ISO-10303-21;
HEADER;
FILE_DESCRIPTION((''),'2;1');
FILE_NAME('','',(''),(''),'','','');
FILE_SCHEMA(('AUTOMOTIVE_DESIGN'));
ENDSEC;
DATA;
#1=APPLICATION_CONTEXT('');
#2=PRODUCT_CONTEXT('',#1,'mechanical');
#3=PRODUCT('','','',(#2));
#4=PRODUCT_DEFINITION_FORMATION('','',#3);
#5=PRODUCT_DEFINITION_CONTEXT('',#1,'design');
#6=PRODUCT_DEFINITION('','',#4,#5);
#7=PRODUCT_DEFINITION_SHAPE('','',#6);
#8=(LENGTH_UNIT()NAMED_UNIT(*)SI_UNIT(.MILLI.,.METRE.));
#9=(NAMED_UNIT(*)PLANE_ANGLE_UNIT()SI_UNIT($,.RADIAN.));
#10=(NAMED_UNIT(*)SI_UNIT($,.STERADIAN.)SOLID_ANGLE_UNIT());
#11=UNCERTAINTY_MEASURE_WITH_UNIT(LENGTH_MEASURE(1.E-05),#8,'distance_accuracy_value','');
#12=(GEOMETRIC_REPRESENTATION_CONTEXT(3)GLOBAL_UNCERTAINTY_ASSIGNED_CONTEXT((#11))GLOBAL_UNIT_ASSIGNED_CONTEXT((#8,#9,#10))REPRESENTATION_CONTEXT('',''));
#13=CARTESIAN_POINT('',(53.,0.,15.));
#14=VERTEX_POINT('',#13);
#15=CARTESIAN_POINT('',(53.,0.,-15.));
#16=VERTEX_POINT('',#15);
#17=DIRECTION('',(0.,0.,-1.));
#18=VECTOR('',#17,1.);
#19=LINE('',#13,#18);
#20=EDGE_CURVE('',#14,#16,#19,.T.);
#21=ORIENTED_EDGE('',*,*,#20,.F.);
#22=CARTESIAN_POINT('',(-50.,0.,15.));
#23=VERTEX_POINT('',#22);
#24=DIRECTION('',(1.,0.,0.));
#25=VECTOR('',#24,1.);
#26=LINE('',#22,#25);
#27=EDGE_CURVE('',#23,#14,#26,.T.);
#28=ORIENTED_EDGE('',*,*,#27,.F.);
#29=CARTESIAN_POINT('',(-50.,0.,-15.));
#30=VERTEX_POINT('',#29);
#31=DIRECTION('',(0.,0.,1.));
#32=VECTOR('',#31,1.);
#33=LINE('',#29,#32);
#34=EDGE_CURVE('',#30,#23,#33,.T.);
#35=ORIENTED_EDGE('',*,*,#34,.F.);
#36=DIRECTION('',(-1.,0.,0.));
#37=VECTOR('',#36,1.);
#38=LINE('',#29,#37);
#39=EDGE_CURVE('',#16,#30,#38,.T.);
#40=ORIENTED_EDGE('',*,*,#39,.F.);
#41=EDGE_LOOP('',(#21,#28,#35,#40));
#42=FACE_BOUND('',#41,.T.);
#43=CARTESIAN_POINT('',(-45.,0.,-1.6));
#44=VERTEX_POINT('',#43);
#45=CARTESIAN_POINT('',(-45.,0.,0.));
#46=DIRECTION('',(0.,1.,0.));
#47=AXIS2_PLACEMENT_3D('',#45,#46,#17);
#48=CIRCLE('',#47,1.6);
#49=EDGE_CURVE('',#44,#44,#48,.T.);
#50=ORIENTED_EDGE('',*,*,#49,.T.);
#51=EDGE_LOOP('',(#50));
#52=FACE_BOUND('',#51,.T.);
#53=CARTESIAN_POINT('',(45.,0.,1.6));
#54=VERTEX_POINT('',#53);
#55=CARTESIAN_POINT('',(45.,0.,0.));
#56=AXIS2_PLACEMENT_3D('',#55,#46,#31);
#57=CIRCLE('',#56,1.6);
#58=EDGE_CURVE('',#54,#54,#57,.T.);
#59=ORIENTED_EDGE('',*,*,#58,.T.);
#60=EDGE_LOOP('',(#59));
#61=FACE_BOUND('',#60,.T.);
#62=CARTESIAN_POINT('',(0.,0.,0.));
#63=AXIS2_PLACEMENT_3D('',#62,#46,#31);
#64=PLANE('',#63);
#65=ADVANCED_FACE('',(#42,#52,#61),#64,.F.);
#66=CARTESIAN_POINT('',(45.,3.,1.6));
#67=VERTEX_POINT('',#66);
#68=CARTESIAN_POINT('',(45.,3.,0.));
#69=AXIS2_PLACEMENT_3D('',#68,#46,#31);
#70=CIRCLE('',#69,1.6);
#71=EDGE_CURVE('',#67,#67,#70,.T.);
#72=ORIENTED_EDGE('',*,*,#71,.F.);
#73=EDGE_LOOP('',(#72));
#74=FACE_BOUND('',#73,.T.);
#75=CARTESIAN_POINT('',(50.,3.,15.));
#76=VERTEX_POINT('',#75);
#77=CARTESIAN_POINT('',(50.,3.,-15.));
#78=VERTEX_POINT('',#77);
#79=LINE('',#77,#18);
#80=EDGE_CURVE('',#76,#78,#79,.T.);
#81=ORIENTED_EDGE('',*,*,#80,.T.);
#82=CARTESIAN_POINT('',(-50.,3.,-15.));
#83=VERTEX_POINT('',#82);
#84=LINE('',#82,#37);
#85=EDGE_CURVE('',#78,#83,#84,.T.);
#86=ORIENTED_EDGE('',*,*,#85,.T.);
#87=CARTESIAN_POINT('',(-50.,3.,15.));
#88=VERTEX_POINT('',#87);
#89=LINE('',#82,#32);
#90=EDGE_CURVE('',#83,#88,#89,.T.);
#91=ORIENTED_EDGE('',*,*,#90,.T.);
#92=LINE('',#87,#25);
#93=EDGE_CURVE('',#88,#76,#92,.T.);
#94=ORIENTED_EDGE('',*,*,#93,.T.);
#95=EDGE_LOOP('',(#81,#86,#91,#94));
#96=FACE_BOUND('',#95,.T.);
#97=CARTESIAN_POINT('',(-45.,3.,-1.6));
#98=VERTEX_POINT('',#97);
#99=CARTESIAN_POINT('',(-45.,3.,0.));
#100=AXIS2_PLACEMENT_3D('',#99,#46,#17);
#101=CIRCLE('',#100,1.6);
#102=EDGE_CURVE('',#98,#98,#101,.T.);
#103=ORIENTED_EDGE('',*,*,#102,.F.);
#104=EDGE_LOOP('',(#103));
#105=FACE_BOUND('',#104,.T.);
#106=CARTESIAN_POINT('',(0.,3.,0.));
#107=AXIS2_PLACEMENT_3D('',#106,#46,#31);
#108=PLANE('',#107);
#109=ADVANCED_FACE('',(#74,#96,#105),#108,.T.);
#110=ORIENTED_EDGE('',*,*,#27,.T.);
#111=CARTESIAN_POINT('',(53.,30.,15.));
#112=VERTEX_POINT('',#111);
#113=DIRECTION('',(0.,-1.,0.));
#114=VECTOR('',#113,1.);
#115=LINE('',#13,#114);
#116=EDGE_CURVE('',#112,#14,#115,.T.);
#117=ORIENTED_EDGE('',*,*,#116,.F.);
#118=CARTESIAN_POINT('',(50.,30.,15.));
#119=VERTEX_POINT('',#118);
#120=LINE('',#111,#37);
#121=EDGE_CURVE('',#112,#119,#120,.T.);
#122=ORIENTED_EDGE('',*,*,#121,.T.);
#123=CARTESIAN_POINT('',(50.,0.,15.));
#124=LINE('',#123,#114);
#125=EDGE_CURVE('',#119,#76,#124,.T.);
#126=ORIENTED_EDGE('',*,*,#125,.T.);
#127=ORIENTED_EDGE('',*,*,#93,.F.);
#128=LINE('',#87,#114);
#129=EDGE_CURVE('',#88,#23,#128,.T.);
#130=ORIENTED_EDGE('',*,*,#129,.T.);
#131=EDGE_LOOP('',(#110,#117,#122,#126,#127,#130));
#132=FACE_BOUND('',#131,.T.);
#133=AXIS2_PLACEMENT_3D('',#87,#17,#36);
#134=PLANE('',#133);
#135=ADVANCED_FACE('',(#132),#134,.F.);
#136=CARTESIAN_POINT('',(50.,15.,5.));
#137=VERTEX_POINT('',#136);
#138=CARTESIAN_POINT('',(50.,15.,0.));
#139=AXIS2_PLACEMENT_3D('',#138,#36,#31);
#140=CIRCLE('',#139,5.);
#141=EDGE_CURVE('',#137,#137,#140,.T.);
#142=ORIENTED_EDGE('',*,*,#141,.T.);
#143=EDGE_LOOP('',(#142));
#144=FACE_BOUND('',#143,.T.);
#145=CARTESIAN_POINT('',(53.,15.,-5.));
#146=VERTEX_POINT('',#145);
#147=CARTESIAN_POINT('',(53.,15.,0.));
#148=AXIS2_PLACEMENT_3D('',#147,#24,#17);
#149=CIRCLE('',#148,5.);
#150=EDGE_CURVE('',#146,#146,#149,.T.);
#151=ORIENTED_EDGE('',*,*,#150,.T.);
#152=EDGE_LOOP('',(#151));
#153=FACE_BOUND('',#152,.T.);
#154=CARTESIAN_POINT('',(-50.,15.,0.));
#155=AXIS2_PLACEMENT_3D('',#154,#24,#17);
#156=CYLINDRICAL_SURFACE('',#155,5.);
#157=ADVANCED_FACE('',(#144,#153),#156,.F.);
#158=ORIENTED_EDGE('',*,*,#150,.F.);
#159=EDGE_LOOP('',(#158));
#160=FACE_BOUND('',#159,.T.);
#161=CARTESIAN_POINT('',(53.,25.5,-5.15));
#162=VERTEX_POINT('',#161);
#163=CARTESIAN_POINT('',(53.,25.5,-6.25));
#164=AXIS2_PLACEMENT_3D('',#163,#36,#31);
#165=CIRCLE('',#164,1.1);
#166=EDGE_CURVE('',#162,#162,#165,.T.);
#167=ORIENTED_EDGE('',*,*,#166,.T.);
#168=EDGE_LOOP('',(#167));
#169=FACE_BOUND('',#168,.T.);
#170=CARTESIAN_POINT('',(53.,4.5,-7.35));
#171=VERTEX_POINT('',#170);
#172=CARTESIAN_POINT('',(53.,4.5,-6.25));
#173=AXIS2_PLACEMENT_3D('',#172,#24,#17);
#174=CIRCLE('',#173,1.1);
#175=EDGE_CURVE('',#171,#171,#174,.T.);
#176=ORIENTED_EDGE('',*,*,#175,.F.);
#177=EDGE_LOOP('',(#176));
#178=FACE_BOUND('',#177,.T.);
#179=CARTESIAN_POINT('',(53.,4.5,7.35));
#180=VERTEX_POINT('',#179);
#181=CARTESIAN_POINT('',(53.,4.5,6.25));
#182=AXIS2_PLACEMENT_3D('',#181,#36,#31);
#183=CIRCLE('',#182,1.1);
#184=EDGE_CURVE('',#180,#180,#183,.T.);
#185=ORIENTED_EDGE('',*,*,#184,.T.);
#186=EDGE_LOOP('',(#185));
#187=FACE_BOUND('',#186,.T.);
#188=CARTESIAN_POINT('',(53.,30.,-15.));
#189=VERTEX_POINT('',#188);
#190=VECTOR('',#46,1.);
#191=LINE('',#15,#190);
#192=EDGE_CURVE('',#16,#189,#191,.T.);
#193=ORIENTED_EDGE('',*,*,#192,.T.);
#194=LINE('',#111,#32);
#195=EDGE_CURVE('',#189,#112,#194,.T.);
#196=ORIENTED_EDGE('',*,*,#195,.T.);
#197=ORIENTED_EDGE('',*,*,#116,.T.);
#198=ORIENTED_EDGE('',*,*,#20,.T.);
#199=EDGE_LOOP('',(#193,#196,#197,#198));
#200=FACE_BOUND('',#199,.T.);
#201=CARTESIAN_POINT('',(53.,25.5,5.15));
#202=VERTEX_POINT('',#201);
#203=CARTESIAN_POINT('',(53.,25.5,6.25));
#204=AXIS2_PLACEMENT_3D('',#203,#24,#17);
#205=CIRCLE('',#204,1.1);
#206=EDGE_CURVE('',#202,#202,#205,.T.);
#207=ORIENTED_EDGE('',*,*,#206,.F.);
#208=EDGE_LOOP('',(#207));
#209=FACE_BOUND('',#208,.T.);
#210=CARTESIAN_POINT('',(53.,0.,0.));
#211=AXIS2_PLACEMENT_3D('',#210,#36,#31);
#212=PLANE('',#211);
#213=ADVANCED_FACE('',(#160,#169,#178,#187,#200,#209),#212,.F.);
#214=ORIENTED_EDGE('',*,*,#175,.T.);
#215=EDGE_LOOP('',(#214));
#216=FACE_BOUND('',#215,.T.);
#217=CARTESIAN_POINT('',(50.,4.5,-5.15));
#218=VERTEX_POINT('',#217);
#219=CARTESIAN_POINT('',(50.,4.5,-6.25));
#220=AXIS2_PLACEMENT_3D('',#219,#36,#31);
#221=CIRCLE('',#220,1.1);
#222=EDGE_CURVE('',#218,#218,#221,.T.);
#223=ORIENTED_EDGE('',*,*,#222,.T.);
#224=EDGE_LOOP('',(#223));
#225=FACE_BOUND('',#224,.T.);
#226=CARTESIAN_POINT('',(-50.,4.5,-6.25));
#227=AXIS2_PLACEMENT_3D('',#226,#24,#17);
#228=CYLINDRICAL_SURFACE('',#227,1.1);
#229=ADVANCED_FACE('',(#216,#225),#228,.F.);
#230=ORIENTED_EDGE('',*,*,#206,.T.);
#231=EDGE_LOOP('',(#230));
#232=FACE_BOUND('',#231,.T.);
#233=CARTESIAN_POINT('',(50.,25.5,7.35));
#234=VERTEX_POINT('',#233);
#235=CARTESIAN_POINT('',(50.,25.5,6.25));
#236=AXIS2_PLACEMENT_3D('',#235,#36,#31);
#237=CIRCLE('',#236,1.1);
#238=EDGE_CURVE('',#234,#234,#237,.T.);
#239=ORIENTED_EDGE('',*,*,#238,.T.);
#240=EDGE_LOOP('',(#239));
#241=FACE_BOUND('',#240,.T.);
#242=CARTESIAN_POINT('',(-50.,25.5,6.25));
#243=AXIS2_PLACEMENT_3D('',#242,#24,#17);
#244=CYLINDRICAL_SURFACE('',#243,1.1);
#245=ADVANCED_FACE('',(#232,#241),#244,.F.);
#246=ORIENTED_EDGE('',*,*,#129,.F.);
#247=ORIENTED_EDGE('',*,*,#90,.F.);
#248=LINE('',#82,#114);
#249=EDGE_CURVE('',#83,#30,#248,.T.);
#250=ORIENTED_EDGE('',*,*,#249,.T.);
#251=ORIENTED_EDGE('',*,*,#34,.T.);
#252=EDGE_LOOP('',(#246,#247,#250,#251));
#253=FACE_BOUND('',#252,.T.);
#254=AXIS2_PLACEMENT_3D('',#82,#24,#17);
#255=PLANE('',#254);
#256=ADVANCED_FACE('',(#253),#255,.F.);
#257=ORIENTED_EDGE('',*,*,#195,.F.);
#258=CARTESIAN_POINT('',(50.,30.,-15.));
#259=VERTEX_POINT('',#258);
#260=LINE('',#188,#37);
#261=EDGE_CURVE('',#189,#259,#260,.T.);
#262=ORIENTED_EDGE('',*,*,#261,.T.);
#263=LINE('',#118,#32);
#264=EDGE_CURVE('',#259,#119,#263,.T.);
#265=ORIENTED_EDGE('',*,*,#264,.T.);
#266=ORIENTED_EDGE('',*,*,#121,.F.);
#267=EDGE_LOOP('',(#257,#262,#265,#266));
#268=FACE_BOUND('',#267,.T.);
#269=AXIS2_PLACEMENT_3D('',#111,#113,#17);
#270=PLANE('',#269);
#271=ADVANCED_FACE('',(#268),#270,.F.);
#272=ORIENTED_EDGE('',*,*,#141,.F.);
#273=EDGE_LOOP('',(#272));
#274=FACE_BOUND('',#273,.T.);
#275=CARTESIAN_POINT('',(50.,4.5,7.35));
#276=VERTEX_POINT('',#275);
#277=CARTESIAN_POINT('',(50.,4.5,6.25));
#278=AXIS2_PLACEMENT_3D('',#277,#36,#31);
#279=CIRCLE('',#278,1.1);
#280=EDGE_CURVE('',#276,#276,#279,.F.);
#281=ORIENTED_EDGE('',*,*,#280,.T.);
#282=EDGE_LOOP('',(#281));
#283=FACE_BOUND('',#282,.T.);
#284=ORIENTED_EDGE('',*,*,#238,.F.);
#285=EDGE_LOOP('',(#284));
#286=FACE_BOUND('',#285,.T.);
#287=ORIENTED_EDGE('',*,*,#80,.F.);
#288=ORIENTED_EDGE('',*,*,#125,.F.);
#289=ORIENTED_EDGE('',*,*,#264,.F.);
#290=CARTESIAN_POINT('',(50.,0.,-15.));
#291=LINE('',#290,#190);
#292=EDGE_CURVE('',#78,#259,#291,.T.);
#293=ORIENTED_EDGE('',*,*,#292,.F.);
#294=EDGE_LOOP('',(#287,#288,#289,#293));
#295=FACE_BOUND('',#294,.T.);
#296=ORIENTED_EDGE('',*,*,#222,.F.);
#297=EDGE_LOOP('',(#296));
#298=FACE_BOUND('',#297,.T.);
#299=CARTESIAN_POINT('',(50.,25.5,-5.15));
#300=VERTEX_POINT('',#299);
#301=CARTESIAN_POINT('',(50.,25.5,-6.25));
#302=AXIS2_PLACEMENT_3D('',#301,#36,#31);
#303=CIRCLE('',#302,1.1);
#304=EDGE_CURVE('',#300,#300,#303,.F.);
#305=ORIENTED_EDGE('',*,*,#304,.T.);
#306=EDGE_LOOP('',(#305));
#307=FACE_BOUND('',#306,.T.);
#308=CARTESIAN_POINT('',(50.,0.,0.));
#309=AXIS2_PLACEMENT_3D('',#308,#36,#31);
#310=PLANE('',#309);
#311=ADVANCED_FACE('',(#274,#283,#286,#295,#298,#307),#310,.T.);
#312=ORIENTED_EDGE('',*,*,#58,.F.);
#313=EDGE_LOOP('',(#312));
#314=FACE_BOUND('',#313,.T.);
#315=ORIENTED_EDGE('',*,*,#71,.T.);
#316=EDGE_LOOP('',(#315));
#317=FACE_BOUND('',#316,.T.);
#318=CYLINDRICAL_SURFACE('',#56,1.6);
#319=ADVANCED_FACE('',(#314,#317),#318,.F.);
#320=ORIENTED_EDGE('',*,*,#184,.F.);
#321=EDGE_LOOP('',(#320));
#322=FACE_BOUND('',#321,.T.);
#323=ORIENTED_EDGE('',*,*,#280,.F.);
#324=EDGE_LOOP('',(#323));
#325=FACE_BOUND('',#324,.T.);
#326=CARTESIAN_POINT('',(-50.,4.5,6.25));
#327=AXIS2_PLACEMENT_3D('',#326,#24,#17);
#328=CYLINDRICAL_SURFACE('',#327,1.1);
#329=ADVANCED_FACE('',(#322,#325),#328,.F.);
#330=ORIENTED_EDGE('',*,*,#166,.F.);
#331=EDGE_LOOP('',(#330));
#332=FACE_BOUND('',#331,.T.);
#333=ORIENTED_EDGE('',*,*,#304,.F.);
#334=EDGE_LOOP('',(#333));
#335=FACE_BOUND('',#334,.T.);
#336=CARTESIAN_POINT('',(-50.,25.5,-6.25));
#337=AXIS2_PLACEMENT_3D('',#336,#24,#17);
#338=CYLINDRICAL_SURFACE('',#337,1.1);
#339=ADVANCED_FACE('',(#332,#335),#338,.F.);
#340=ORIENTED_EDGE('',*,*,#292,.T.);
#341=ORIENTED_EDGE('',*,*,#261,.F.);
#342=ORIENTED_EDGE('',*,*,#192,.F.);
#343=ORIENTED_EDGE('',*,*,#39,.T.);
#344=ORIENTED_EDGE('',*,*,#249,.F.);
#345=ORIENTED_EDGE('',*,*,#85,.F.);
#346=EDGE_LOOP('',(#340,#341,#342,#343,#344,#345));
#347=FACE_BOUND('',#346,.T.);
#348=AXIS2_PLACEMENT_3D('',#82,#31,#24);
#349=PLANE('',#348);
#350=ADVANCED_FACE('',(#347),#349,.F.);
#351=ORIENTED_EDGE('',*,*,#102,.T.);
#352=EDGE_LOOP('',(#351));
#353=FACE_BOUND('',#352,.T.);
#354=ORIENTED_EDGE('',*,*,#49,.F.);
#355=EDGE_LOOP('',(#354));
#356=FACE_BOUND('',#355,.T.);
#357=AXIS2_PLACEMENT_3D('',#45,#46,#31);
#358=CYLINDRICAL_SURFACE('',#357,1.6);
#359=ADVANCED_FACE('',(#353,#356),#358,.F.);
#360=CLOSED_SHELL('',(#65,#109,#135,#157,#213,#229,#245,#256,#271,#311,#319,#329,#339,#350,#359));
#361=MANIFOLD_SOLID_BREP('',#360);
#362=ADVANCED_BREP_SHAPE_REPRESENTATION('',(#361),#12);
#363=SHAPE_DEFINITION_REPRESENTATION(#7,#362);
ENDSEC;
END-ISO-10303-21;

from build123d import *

# Parameters (mm, degrees)
SKETCH1_W           = 100
SKETCH1_H           = 30
BOSS_EXTRUDE1_DEPTH = 3
SKETCH2_R           = 1.6
CUT_EXTRUDE1_DEPTH  = 53.28766585
SKETCH5_W           = 30
SKETCH5_H           = 30
BOSS_EXTRUDE2_DEPTH = 3
SKETCH6_R           = 1.1
CUT_EXTRUDE2_DEPTH  = 109.323589305
SKETCH7_R           = 5
CUT_EXTRUDE3_DEPTH  = 109.323589305


with BuildPart() as part:
    # Sketch1 → Boss-Extrude1 (new body)
    with BuildSketch(Plane(origin=(0, 0, 0), x_dir=(1, 0, 0), z_dir=(0, 1, 0))):
        Rectangle(SKETCH1_W, SKETCH1_H)
    extrude(amount=BOSS_EXTRUDE1_DEPTH)

    # Sketch2 → Cut-Extrude1 (cut, through all)
    with BuildSketch(Plane(origin=(0, 3, 0), x_dir=(1, 0, 0), z_dir=(0, 1, 0))):
        with Locations(Location((45, 0, 0), (0, 0, 270))):
            Circle(SKETCH2_R)
        with Locations(Location((-45, 0, 0), (0, 0, 90))):
            Circle(SKETCH2_R)
    extrude(amount=-CUT_EXTRUDE1_DEPTH, mode=Mode.SUBTRACT)

    # Sketch5 → Boss-Extrude2 (add)
    with BuildSketch(Plane(origin=(50, 0, 0), x_dir=(0, 0, -1), z_dir=(1, 0, 0))):
        with Locations((0, 15)):
            Rectangle(SKETCH5_W, SKETCH5_H)
    extrude(amount=BOSS_EXTRUDE2_DEPTH)

    # Sketch6 → Cut-Extrude2 (cut, through all)
    with BuildSketch(Plane(origin=(53, 0, 0), x_dir=(0, 0, -1), z_dir=(1, 0, 0))):
        with Locations((-6.25, 25.5)):
            Circle(SKETCH6_R)
        with Locations(Location((6.25, 25.5, 0), (0, 0, 180))):
            Circle(SKETCH6_R)
        with Locations((6.25, 4.5)):
            Circle(SKETCH6_R)
        with Locations(Location((-6.25, 4.5, 0), (0, 0, 180))):
            Circle(SKETCH6_R)
    extrude(amount=-CUT_EXTRUDE2_DEPTH, mode=Mode.SUBTRACT)

    # Sketch7 → Cut-Extrude3 (cut, through all)
    with BuildSketch(Plane(origin=(53, 0, 0), x_dir=(0, 0, -1), z_dir=(1, 0, 0))):
        with Locations((0, 15)):
            Circle(SKETCH7_R)
    extrude(amount=-CUT_EXTRUDE3_DEPTH, mode=Mode.SUBTRACT)


solid = part.part
